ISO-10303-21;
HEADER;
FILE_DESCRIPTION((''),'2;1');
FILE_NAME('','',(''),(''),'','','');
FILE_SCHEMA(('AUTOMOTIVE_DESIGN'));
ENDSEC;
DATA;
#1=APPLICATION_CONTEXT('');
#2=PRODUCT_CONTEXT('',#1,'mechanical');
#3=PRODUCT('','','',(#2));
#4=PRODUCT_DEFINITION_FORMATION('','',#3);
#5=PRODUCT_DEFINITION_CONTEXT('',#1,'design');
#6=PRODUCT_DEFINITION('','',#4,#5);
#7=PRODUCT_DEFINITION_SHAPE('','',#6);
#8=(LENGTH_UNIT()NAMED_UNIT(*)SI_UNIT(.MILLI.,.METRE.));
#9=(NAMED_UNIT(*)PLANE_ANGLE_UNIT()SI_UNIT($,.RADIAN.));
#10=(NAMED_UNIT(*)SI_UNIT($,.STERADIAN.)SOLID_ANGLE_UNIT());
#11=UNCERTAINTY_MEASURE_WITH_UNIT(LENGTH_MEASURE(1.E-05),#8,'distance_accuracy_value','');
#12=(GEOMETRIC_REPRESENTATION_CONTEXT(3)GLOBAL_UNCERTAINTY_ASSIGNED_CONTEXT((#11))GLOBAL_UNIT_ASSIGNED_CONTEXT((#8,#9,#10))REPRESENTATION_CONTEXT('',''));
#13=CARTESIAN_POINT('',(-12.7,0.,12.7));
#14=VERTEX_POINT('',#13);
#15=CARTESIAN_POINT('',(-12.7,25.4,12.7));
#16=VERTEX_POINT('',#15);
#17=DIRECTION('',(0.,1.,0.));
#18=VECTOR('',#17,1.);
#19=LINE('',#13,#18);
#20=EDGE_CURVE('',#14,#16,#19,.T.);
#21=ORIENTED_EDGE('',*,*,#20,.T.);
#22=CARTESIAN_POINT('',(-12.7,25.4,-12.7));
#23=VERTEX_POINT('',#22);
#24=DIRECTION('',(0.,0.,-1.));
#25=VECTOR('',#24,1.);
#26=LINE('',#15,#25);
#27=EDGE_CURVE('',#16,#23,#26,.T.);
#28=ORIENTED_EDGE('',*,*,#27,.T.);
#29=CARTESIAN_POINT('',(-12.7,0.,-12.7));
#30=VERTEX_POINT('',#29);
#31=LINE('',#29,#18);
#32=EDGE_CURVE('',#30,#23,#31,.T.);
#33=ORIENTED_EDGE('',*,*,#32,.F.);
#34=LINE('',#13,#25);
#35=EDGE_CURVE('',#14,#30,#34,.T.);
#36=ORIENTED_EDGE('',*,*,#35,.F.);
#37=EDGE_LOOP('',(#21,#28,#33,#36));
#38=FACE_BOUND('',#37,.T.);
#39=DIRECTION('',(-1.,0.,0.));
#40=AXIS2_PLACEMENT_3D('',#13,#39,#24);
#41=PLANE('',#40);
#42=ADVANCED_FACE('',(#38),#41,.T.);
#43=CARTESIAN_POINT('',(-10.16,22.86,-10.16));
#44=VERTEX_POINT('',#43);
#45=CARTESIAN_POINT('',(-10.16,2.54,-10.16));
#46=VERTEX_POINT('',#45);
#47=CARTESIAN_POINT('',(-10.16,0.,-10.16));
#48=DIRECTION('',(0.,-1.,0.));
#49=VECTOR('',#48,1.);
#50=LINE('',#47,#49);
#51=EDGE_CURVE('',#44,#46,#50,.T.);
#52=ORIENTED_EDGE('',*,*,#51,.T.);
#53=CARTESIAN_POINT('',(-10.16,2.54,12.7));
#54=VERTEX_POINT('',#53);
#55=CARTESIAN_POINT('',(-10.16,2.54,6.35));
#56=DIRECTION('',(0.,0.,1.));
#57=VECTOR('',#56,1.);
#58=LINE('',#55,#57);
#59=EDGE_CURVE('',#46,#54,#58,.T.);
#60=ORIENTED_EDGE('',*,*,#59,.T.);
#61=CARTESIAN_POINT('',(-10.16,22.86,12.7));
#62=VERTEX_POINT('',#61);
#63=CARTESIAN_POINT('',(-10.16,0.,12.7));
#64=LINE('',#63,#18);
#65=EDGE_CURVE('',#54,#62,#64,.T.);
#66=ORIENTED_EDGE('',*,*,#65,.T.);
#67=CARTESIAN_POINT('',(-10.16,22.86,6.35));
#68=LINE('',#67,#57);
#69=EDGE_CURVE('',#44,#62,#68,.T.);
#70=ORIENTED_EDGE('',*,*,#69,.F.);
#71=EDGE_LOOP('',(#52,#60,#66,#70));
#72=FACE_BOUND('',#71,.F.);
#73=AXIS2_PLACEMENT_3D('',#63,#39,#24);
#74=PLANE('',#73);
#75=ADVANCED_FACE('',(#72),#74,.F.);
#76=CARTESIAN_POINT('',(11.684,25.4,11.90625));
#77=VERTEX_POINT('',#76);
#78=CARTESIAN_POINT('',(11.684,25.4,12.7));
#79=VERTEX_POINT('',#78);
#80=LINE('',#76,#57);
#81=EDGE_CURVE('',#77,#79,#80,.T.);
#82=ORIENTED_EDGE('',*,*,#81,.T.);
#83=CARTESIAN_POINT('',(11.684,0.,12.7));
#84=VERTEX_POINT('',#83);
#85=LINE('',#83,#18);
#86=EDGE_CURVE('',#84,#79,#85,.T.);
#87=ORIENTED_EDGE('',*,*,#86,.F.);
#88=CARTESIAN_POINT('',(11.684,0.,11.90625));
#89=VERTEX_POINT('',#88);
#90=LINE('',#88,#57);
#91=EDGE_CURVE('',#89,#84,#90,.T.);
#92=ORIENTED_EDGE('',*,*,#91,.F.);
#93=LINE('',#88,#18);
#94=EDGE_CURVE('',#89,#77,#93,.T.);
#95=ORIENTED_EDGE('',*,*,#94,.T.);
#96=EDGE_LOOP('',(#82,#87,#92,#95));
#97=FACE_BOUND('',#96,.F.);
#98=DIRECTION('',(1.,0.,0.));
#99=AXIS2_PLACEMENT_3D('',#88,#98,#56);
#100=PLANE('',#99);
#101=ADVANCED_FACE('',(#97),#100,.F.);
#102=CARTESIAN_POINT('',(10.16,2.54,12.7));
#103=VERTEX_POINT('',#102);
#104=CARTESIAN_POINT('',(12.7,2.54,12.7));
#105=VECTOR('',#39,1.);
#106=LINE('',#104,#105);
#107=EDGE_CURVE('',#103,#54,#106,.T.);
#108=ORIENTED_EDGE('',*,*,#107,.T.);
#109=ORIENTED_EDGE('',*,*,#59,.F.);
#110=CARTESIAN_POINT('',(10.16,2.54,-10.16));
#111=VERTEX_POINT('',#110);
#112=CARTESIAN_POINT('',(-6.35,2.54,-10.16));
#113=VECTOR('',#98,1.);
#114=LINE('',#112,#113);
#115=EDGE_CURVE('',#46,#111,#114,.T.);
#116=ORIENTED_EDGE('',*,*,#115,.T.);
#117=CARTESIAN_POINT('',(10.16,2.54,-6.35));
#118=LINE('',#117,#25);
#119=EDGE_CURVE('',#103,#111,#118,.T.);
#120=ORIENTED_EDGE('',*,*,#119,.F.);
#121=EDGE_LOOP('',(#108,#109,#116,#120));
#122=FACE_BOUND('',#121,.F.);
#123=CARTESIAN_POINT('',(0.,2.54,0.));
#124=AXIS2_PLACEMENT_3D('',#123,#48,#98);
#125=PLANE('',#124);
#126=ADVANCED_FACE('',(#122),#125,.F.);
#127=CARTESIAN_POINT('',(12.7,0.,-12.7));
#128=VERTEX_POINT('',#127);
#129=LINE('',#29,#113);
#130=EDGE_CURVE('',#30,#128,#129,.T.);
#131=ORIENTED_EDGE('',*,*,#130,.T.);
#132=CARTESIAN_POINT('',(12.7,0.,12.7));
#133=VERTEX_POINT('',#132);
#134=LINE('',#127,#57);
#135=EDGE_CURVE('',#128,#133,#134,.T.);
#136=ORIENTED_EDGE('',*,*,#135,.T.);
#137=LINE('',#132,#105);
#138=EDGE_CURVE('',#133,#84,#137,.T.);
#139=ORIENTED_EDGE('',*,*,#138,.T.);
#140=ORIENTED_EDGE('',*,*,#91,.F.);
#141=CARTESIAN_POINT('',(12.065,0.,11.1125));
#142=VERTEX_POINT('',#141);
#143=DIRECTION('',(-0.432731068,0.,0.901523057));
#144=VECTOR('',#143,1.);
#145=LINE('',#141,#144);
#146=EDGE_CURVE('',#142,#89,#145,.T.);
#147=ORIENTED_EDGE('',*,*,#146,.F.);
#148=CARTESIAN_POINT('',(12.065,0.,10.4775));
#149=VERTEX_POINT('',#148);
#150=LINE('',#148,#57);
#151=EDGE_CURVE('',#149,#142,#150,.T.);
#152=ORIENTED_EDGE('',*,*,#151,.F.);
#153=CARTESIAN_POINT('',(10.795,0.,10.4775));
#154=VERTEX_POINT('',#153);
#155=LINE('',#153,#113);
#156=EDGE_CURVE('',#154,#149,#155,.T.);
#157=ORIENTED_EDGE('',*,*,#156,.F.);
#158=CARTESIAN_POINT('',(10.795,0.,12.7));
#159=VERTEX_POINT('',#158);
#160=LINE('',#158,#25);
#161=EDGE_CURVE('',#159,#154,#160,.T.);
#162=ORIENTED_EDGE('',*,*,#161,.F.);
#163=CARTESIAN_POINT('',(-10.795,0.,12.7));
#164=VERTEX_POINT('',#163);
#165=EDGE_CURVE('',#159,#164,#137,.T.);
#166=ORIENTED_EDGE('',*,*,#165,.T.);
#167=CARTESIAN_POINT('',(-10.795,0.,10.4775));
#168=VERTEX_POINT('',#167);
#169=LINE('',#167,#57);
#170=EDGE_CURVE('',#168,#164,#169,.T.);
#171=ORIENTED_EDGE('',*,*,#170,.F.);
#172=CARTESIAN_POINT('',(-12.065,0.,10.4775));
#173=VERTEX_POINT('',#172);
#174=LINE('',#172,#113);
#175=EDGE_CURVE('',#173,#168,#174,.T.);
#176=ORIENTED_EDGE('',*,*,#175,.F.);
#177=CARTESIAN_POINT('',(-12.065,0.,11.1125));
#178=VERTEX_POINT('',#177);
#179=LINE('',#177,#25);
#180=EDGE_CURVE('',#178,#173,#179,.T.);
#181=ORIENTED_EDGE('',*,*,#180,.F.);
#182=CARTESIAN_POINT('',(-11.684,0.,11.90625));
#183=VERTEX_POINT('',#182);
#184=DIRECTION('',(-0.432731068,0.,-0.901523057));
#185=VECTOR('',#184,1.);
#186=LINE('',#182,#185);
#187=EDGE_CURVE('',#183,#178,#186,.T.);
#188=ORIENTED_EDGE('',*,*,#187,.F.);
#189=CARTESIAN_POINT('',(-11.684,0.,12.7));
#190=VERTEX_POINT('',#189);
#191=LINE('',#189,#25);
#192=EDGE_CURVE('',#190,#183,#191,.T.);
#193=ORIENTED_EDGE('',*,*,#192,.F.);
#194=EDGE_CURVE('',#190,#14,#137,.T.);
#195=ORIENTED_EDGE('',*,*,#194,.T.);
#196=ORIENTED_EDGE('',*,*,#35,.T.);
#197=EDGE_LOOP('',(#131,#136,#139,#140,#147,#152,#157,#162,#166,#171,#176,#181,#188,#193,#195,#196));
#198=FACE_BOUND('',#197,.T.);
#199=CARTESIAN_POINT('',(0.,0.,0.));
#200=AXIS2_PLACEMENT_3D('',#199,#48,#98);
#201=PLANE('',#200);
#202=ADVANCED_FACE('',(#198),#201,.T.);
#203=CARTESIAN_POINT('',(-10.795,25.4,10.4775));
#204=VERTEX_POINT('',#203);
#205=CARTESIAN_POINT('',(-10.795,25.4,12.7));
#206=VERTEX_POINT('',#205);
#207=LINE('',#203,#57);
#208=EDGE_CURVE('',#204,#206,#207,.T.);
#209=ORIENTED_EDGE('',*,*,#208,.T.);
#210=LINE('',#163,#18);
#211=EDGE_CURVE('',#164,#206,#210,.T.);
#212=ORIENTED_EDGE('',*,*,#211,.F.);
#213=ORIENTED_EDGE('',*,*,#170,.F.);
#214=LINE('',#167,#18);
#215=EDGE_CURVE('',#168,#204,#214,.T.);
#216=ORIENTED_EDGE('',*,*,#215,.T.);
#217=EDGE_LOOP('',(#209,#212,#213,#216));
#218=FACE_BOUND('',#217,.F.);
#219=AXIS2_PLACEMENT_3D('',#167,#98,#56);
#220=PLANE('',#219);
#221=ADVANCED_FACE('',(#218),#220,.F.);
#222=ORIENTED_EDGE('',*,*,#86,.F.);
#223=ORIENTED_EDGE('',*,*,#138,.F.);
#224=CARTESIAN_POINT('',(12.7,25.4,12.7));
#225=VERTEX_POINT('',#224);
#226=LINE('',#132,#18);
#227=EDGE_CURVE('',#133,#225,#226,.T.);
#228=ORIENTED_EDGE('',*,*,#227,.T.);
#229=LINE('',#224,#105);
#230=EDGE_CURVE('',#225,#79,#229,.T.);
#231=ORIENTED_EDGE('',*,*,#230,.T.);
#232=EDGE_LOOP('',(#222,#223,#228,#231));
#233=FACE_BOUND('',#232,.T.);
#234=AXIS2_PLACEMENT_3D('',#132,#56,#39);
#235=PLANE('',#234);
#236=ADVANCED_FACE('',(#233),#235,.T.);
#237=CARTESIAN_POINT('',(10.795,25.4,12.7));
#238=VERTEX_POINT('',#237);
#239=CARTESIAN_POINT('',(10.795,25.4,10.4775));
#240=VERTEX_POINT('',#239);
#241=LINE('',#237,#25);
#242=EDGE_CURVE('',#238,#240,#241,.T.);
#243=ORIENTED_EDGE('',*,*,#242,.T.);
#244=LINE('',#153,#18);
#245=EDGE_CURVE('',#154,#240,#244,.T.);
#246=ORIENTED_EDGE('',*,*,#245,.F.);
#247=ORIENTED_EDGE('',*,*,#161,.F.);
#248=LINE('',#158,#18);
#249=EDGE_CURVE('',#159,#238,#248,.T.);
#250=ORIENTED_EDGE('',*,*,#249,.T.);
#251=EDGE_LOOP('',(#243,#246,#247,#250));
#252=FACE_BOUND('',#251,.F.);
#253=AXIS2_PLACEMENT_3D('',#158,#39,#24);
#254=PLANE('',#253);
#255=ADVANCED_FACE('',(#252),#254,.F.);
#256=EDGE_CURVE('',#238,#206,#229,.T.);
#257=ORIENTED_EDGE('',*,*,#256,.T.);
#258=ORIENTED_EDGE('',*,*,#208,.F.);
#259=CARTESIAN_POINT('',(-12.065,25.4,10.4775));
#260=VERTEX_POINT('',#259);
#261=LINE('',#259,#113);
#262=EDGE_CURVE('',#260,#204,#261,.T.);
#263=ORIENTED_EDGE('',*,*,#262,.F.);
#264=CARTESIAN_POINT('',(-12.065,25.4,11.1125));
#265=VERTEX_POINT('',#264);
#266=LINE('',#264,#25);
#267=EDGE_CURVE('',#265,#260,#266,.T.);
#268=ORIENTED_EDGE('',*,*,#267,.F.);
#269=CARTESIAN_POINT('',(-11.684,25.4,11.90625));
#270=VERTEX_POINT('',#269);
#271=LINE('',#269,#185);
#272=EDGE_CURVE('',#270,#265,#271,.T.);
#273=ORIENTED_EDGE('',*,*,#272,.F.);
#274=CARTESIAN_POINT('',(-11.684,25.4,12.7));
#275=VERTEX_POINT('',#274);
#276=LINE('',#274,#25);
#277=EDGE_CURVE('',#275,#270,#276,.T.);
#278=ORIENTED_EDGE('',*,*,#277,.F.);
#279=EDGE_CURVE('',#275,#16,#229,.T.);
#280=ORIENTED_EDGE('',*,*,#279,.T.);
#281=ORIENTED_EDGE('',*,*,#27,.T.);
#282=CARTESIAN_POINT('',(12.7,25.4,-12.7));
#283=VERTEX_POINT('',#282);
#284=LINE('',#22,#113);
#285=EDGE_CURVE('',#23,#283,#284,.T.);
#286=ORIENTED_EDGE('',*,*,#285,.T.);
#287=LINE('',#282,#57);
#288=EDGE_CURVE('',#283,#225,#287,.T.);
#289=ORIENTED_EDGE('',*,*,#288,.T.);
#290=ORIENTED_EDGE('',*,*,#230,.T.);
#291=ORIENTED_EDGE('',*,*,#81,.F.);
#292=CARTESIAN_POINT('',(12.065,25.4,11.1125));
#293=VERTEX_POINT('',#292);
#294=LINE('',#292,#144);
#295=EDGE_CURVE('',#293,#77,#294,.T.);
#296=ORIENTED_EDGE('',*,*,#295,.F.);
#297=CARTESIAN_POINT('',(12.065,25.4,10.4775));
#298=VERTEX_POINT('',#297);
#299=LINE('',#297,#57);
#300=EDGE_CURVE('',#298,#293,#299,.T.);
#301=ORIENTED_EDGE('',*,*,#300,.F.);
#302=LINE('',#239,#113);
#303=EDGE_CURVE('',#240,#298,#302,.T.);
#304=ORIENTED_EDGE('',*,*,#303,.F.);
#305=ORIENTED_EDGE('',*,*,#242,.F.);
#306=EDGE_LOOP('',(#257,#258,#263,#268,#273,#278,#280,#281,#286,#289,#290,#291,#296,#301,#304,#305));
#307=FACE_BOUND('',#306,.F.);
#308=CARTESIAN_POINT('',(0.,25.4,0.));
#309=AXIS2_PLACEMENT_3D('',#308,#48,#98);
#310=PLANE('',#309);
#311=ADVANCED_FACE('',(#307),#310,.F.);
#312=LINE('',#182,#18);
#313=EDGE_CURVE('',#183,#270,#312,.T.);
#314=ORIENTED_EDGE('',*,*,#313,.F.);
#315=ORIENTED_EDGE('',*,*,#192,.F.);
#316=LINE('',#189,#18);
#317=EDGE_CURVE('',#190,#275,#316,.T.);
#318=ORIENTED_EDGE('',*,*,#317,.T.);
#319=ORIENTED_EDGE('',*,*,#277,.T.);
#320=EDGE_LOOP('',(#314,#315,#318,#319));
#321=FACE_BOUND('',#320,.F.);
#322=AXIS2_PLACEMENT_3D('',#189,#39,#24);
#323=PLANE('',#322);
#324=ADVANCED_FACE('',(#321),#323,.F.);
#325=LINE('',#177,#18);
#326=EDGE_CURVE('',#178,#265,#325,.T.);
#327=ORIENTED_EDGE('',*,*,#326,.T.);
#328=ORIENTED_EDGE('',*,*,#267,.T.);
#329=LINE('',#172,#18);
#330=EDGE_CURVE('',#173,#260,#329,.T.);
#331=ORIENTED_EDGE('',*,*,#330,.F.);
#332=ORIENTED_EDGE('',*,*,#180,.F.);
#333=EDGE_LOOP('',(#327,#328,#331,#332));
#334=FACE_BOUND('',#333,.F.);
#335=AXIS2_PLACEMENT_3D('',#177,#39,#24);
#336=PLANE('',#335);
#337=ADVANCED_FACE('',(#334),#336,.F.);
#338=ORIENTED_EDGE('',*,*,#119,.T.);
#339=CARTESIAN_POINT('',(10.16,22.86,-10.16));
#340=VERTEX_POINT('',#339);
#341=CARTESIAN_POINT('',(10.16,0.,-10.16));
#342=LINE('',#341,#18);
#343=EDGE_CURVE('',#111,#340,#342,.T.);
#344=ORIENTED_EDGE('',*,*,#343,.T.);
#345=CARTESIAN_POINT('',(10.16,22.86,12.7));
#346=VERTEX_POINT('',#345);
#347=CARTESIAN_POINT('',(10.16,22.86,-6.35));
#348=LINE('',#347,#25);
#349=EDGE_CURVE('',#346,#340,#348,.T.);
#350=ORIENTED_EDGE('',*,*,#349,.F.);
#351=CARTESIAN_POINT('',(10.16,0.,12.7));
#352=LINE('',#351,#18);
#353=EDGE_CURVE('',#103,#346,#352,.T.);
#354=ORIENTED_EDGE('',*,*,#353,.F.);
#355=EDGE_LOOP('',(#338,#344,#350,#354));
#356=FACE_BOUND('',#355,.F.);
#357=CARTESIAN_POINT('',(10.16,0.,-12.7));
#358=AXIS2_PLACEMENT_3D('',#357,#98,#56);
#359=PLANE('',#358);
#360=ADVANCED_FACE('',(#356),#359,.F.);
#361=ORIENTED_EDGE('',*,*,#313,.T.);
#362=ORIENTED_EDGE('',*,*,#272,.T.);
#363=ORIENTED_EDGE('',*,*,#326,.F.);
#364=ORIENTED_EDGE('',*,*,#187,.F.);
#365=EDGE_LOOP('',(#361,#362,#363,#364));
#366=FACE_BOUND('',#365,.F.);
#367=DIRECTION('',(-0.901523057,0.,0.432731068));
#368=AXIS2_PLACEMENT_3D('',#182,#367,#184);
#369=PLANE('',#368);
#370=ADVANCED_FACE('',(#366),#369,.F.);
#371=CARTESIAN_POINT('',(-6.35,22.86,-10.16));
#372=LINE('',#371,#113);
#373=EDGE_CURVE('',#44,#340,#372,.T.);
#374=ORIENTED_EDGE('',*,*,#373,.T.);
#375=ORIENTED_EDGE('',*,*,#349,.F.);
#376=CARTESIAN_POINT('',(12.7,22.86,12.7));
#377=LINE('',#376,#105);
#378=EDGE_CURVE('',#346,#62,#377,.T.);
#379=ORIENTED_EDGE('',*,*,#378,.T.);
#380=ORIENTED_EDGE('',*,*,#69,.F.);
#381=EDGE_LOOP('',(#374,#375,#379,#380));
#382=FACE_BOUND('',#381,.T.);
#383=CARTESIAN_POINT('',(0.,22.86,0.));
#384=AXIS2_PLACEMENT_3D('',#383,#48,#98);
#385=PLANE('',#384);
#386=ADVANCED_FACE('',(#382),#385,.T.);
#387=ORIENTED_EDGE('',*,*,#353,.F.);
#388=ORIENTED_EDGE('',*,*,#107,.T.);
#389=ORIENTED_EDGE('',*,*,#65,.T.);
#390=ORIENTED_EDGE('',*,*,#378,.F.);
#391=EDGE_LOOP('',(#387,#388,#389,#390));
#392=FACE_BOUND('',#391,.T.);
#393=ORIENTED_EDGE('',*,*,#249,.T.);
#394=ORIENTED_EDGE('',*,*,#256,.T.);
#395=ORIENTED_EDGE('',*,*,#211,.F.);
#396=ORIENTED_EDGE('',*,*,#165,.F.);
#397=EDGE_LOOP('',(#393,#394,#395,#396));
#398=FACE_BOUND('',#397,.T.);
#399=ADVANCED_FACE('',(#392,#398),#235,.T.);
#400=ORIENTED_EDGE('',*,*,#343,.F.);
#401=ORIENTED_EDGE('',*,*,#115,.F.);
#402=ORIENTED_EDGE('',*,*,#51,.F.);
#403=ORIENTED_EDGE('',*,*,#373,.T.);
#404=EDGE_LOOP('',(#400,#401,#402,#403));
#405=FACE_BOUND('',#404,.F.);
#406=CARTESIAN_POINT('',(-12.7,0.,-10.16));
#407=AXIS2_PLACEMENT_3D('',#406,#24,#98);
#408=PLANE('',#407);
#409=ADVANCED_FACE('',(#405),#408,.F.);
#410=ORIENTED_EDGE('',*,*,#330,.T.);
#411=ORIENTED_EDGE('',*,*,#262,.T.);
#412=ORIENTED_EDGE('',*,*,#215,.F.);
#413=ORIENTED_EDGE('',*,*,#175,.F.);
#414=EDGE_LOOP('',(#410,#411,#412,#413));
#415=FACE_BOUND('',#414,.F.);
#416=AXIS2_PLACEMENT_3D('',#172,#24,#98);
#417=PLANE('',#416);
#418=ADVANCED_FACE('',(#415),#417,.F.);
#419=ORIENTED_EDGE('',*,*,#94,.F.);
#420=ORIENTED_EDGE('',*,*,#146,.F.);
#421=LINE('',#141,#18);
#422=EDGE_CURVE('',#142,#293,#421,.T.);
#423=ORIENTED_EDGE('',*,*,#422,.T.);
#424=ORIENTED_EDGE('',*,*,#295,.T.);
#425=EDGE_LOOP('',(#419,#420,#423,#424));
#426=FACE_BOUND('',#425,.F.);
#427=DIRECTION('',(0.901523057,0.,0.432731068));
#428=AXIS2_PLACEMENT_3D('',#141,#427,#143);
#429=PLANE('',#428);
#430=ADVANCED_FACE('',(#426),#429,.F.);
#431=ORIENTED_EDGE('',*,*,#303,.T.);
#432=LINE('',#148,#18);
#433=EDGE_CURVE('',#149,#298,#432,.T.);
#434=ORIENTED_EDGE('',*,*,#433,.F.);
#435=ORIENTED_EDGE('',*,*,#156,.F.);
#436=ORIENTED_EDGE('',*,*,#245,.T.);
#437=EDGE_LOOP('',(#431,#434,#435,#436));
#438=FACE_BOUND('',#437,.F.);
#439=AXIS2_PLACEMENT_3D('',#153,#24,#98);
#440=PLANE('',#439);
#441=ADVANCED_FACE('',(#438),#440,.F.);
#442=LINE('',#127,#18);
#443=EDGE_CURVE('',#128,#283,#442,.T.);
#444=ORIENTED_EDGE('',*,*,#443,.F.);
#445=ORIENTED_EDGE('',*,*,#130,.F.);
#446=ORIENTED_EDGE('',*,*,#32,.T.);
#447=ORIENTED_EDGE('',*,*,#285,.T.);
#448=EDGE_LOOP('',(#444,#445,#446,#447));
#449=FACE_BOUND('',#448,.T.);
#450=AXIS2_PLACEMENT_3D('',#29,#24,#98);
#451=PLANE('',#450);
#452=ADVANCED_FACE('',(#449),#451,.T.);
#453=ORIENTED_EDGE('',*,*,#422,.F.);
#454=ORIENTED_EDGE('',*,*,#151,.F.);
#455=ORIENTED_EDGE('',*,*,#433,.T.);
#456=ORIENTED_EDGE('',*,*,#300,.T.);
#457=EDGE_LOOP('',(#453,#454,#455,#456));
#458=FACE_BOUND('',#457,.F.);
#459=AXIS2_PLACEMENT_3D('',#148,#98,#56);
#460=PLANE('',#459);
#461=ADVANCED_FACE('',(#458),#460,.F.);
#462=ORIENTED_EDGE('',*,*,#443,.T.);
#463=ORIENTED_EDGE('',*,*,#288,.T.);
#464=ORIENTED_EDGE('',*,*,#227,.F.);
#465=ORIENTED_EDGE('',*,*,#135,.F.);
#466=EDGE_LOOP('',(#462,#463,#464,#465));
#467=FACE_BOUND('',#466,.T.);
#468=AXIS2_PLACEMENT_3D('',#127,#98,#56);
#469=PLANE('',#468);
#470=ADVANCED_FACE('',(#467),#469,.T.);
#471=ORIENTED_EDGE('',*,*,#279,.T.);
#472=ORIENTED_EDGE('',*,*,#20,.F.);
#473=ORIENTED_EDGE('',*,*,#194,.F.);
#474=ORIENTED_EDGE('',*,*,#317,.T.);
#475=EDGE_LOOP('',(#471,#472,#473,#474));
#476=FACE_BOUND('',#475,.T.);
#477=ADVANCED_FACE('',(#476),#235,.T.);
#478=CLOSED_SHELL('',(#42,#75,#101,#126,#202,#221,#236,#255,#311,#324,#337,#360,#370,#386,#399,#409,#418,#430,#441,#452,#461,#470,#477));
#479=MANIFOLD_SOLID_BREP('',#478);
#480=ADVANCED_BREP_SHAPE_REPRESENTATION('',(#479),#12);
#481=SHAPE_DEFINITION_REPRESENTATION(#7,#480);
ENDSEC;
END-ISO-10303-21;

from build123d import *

# Parameters (mm, degrees)
F2_DEPTH = 11.43
F3_DEPTH = 25.4
F4_T     = -2.54
F7_DEPTH = 25.4


with BuildPart() as f2:
    # F1 (on Top) → F2 (new body, symmetric)
    with BuildSketch(Plane.XY):
        Polygon((0, 1.27), (11.43, 1.27), (11.43, 24.13), (-11.43, 24.13), (-11.43, 1.27), align=None)
    extrude(amount=F2_DEPTH, both=True)


with BuildPart() as f3:
    # F0 (on Front) → F3 (new body)
    with BuildSketch(Plane.XZ):
        Polygon((-12.7, -12.7), (12.7, -12.7), (12.7, 12.7), (0, 12.7), (-12.7, 12.7), align=None)
    extrude(amount=-F3_DEPTH)

    # F4
    f4_openings = [f3.faces().sort_by_distance(p)[0] for p in [
        (0, 12.7, 12.7),
    ]]
    offset(amount=F4_T, openings=f4_openings)

    # F6 (on Front) → F7 (cut)
    with BuildSketch(Plane.XZ):
        Polygon((-12.065, 10.4775), (-10.795, 10.4775), (-10.795, 11.1125), (-10.795, 12.7), (-11.684, 12.7), (-11.684, 11.90625), (-12.065, 11.1125), align=None)
        Polygon((10.795, 10.4775), (12.065, 10.4775), (12.065, 11.1125), (11.684, 11.90625), (11.684, 12.7), (10.795, 12.7), (10.795, 11.1125), align=None)
    extrude(amount=-F7_DEPTH, mode=Mode.SUBTRACT)


solid = f3.part
